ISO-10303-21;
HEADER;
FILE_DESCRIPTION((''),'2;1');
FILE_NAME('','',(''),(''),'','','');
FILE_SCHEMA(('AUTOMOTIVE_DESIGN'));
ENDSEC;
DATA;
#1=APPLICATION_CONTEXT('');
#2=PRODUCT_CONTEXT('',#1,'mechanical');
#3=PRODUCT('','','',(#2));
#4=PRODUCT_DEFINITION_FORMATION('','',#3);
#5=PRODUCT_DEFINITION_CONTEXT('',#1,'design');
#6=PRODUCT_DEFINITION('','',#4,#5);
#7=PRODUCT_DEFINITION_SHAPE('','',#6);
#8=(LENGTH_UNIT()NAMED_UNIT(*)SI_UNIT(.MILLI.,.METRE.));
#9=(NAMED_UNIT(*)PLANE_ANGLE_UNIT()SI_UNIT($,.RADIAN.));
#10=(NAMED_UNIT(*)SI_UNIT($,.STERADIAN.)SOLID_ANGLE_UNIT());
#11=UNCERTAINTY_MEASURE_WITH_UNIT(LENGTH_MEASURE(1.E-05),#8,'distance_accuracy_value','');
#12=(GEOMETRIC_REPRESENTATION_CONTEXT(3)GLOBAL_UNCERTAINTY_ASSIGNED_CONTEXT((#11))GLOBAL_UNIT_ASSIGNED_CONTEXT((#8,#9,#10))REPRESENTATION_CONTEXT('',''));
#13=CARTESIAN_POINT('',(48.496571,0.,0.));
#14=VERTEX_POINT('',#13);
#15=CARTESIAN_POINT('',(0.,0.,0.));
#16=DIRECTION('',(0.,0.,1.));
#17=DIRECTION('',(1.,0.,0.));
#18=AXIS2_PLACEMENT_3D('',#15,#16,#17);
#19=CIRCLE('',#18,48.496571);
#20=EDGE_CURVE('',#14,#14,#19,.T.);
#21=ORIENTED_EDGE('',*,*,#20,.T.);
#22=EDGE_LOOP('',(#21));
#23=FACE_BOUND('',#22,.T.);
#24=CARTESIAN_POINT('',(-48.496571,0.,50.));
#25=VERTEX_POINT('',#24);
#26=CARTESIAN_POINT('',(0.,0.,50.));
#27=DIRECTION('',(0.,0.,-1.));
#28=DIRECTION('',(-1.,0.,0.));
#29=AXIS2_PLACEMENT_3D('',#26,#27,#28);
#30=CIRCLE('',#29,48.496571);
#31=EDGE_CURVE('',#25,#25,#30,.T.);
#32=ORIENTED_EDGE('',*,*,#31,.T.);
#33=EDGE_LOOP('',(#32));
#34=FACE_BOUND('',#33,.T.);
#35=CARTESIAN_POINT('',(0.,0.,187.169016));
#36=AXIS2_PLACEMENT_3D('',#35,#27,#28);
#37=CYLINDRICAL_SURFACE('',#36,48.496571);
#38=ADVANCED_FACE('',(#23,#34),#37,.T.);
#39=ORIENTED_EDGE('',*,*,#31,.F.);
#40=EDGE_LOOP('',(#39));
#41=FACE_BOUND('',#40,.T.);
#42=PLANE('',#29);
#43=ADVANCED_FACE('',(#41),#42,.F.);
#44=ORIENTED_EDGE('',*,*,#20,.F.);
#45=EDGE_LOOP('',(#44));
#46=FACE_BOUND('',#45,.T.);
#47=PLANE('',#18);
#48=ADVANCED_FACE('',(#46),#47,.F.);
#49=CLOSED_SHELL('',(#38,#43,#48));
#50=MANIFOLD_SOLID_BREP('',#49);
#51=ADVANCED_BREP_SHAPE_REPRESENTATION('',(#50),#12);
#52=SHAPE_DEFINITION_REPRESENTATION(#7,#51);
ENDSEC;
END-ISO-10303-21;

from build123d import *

# Parameters (mm, degrees)
SKETCH1_W             = 128.922622712
SKETCH1_H             = 108.547542538
SKETCH1_W_2           = 124.922622712
SKETCH1_H_2           = 104.547542538
BOSS_EXTRUDE1_DEPTH   = 50
SKETCH2_R             = 48.496570744
BOSS_EXTRUDE2_DEPTH   = 50
SKETCH3_R             = 6.994110628
BOSS_EXTRUDE3_DEPTH   = 20
SKETCH3_R_2           = 6.120691225
BOSS_EXTRUDE3_2_DEPTH = 20


with BuildPart() as part:
    # Sketch1 → Boss-Extrude1 (new body)
    with BuildSketch(Plane.XY):
        Rectangle(SKETCH1_W, SKETCH1_H)
        Rectangle(SKETCH1_W_2, SKETCH1_H_2, mode=Mode.SUBTRACT)
    extrude(amount=BOSS_EXTRUDE1_DEPTH)


with BuildPart() as body_2:
    # Sketch2 → Boss-Extrude2 (new body)
    with BuildSketch(Plane.XY):
        with Locations(Location((0, 0, 0), (0, 0, 180))):
            Circle(SKETCH2_R)
    extrude(amount=BOSS_EXTRUDE2_DEPTH)


with BuildPart() as body_3:
    # Sketch3 → Boss-Extrude3 (new body)
    with BuildSketch(Plane.XY):
        with Locations((-51.126362865, 41.516845757)):
            Circle(SKETCH3_R)
    extrude(amount=BOSS_EXTRUDE3_DEPTH)


with BuildPart() as body_4:
    # Sketch3 → Boss-Extrude3 2 (new body)
    with BuildSketch(Plane.XY):
        with Locations((46.461548735, 43.755956539)):
            Circle(SKETCH3_R_2)
    extrude(amount=BOSS_EXTRUDE3_2_DEPTH)


solid = body_2.part
